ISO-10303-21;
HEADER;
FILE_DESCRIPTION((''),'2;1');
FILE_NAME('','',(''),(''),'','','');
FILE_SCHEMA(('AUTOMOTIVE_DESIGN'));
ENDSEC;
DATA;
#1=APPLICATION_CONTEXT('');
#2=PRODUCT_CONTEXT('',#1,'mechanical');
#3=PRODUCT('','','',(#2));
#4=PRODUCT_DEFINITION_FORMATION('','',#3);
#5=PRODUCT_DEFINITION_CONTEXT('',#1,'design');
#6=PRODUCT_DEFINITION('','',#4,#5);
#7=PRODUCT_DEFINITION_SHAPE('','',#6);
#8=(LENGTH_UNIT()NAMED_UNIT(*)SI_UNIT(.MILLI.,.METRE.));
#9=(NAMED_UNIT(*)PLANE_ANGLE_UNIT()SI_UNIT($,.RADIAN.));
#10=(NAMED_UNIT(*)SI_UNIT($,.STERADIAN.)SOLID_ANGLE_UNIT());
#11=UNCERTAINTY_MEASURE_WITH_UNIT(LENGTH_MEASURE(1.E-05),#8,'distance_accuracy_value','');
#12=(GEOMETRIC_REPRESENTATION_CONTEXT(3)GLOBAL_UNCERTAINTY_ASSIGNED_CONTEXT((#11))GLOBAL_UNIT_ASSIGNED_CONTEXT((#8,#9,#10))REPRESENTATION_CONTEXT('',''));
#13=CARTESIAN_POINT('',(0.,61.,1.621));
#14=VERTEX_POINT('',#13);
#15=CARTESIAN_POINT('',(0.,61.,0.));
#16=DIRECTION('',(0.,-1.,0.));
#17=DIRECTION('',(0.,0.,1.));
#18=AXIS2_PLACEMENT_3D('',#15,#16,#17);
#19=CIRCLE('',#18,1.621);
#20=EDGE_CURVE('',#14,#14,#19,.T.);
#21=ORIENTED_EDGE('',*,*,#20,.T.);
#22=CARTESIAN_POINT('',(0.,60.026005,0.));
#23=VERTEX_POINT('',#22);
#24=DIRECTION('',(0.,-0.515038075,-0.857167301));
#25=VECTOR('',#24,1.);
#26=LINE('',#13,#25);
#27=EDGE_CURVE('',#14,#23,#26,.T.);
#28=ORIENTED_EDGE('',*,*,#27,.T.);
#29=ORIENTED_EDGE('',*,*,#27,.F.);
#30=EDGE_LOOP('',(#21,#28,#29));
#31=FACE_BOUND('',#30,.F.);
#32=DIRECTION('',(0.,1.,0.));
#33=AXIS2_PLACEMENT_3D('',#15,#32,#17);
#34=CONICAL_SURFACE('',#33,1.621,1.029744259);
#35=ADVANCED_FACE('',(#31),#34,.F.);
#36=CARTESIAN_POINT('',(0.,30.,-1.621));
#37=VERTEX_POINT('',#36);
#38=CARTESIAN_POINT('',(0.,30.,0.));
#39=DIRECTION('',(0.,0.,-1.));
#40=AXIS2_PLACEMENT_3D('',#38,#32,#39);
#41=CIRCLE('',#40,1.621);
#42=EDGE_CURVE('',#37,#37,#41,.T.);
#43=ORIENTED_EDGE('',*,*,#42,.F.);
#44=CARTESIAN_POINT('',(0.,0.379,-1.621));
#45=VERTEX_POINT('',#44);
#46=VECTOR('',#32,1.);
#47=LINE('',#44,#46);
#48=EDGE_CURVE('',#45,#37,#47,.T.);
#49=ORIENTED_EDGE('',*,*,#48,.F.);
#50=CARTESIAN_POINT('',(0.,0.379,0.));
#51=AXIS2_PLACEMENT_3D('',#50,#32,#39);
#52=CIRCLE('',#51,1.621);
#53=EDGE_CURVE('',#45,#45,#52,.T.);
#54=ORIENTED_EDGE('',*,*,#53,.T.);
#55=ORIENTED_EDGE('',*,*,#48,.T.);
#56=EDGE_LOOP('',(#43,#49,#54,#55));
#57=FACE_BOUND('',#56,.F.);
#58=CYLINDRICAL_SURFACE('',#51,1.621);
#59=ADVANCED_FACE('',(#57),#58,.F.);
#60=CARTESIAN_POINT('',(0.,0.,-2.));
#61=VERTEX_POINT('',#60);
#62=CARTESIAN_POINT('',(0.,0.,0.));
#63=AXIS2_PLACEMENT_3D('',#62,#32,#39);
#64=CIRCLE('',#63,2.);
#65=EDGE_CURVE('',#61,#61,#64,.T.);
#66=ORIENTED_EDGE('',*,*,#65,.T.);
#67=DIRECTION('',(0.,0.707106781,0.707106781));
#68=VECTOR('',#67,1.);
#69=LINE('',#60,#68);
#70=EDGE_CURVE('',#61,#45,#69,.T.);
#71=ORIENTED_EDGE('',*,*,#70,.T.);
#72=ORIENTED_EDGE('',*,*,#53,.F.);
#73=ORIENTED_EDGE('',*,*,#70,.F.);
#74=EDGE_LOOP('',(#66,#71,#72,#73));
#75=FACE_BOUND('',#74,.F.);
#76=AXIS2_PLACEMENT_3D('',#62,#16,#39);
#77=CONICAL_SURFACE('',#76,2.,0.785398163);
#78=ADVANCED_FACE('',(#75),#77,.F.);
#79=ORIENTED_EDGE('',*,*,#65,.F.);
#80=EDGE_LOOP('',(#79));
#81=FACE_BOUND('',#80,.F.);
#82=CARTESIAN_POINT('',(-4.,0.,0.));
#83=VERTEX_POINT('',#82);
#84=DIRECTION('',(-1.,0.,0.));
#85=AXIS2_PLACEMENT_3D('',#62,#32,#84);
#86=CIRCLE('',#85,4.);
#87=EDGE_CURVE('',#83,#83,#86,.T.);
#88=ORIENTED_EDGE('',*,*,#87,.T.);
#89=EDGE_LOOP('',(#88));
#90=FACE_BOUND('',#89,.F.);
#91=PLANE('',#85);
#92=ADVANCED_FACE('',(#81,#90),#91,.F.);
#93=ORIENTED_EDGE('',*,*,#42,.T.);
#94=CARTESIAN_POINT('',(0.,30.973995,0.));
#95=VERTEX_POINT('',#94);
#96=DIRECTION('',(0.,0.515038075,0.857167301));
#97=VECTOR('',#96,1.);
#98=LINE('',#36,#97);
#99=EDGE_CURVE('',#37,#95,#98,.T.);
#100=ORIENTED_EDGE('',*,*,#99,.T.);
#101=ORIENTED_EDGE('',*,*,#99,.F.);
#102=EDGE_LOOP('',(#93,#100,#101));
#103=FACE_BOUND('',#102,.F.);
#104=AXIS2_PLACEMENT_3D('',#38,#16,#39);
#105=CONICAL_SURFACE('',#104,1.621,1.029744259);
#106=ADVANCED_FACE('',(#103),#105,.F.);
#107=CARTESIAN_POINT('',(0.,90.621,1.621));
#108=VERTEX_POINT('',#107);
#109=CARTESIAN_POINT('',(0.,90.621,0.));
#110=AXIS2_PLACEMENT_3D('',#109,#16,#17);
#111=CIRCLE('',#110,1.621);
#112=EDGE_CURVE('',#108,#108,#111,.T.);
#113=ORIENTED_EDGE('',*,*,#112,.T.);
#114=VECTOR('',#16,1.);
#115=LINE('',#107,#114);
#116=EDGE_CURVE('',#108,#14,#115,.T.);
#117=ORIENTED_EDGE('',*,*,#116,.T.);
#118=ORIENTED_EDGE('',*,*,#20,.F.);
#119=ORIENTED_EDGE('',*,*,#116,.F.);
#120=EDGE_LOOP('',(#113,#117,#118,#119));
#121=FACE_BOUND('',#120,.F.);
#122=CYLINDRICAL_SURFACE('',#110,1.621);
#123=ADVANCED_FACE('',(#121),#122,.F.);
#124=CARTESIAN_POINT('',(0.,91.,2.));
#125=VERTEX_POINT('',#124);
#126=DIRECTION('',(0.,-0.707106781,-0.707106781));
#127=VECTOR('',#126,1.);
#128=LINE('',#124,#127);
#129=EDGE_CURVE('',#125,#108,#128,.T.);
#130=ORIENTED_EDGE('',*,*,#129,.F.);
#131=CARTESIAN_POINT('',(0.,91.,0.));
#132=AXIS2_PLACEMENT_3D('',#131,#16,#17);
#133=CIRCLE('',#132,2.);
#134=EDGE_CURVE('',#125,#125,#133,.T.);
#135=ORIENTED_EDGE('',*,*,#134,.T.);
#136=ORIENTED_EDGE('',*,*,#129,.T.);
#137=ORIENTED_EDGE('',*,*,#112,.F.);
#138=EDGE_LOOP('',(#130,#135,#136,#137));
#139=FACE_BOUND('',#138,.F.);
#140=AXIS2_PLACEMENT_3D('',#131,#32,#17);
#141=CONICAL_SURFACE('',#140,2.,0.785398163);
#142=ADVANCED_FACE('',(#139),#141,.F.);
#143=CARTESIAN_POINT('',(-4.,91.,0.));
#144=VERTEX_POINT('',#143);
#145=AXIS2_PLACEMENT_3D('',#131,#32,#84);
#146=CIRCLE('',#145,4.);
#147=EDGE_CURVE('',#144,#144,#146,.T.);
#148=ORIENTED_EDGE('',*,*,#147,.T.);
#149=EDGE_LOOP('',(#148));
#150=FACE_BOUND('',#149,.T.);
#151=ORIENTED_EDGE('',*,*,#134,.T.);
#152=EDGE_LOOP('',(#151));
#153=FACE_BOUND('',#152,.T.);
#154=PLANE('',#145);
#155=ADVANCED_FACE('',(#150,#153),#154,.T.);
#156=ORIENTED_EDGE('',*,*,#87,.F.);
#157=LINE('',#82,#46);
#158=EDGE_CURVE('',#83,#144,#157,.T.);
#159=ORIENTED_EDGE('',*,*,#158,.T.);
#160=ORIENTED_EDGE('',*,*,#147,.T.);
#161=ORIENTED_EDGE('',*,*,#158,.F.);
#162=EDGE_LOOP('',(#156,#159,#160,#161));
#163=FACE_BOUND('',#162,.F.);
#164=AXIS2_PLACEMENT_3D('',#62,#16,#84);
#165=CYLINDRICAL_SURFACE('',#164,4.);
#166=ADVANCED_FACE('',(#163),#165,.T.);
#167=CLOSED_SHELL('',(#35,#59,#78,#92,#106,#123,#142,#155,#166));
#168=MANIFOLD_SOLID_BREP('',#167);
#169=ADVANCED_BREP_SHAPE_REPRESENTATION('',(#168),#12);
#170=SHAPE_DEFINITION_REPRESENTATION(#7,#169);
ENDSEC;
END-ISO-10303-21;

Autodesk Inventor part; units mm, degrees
ref_plane "YZ Plane" through (0, 0, 0) normal (1, 0, 0) x (0, 1, 0)
ref_plane "XZ Plane" through (0, 0, 0) normal (0, 1, 0) x (-1, 0, 0)
ref_plane "XY Plane" through (0, 0, 0) normal (0, 0, 1) x (1, 0, 0)
sketch "スケッチ1" plane through (0, 0, 0) normal (0, 1, 0) x (-1, 0, 0)
  circle A0 centre (0, 0) radius 4
  dimension "d0" = 8
extrude "押し出し1" add sketch "スケッチ1" along normal blind 91
sketch "スケッチ2" plane through (0, 0, 0) normal (0, -1, 0) x (1, 0, 0)
  point P0 (0, 0)
sketch "スケッチ3" plane through (0, 91, 0) normal (0, 1, 0) x (1, 0, 0)
  point P0 (0, 0)
hole "穴1" at (0, 91, 0) direction (0, -1, 0) diameter 3.242 depth 30 tip angle 118 countersink diameter 4 countersink angle 90 thread size "M4x0.7" class "6H" standard "ISO Metric profile"
hole "穴2" at (0, 0, 0) direction (0, 1, 0) diameter 3.242 depth 30 tip angle 118 countersink diameter 4 countersink angle 90 thread size "M4x0.7" class "6H" standard "ISO Metric profile"
properties part number "p8ALshaft" material "アルミニウム 2014-T4"
